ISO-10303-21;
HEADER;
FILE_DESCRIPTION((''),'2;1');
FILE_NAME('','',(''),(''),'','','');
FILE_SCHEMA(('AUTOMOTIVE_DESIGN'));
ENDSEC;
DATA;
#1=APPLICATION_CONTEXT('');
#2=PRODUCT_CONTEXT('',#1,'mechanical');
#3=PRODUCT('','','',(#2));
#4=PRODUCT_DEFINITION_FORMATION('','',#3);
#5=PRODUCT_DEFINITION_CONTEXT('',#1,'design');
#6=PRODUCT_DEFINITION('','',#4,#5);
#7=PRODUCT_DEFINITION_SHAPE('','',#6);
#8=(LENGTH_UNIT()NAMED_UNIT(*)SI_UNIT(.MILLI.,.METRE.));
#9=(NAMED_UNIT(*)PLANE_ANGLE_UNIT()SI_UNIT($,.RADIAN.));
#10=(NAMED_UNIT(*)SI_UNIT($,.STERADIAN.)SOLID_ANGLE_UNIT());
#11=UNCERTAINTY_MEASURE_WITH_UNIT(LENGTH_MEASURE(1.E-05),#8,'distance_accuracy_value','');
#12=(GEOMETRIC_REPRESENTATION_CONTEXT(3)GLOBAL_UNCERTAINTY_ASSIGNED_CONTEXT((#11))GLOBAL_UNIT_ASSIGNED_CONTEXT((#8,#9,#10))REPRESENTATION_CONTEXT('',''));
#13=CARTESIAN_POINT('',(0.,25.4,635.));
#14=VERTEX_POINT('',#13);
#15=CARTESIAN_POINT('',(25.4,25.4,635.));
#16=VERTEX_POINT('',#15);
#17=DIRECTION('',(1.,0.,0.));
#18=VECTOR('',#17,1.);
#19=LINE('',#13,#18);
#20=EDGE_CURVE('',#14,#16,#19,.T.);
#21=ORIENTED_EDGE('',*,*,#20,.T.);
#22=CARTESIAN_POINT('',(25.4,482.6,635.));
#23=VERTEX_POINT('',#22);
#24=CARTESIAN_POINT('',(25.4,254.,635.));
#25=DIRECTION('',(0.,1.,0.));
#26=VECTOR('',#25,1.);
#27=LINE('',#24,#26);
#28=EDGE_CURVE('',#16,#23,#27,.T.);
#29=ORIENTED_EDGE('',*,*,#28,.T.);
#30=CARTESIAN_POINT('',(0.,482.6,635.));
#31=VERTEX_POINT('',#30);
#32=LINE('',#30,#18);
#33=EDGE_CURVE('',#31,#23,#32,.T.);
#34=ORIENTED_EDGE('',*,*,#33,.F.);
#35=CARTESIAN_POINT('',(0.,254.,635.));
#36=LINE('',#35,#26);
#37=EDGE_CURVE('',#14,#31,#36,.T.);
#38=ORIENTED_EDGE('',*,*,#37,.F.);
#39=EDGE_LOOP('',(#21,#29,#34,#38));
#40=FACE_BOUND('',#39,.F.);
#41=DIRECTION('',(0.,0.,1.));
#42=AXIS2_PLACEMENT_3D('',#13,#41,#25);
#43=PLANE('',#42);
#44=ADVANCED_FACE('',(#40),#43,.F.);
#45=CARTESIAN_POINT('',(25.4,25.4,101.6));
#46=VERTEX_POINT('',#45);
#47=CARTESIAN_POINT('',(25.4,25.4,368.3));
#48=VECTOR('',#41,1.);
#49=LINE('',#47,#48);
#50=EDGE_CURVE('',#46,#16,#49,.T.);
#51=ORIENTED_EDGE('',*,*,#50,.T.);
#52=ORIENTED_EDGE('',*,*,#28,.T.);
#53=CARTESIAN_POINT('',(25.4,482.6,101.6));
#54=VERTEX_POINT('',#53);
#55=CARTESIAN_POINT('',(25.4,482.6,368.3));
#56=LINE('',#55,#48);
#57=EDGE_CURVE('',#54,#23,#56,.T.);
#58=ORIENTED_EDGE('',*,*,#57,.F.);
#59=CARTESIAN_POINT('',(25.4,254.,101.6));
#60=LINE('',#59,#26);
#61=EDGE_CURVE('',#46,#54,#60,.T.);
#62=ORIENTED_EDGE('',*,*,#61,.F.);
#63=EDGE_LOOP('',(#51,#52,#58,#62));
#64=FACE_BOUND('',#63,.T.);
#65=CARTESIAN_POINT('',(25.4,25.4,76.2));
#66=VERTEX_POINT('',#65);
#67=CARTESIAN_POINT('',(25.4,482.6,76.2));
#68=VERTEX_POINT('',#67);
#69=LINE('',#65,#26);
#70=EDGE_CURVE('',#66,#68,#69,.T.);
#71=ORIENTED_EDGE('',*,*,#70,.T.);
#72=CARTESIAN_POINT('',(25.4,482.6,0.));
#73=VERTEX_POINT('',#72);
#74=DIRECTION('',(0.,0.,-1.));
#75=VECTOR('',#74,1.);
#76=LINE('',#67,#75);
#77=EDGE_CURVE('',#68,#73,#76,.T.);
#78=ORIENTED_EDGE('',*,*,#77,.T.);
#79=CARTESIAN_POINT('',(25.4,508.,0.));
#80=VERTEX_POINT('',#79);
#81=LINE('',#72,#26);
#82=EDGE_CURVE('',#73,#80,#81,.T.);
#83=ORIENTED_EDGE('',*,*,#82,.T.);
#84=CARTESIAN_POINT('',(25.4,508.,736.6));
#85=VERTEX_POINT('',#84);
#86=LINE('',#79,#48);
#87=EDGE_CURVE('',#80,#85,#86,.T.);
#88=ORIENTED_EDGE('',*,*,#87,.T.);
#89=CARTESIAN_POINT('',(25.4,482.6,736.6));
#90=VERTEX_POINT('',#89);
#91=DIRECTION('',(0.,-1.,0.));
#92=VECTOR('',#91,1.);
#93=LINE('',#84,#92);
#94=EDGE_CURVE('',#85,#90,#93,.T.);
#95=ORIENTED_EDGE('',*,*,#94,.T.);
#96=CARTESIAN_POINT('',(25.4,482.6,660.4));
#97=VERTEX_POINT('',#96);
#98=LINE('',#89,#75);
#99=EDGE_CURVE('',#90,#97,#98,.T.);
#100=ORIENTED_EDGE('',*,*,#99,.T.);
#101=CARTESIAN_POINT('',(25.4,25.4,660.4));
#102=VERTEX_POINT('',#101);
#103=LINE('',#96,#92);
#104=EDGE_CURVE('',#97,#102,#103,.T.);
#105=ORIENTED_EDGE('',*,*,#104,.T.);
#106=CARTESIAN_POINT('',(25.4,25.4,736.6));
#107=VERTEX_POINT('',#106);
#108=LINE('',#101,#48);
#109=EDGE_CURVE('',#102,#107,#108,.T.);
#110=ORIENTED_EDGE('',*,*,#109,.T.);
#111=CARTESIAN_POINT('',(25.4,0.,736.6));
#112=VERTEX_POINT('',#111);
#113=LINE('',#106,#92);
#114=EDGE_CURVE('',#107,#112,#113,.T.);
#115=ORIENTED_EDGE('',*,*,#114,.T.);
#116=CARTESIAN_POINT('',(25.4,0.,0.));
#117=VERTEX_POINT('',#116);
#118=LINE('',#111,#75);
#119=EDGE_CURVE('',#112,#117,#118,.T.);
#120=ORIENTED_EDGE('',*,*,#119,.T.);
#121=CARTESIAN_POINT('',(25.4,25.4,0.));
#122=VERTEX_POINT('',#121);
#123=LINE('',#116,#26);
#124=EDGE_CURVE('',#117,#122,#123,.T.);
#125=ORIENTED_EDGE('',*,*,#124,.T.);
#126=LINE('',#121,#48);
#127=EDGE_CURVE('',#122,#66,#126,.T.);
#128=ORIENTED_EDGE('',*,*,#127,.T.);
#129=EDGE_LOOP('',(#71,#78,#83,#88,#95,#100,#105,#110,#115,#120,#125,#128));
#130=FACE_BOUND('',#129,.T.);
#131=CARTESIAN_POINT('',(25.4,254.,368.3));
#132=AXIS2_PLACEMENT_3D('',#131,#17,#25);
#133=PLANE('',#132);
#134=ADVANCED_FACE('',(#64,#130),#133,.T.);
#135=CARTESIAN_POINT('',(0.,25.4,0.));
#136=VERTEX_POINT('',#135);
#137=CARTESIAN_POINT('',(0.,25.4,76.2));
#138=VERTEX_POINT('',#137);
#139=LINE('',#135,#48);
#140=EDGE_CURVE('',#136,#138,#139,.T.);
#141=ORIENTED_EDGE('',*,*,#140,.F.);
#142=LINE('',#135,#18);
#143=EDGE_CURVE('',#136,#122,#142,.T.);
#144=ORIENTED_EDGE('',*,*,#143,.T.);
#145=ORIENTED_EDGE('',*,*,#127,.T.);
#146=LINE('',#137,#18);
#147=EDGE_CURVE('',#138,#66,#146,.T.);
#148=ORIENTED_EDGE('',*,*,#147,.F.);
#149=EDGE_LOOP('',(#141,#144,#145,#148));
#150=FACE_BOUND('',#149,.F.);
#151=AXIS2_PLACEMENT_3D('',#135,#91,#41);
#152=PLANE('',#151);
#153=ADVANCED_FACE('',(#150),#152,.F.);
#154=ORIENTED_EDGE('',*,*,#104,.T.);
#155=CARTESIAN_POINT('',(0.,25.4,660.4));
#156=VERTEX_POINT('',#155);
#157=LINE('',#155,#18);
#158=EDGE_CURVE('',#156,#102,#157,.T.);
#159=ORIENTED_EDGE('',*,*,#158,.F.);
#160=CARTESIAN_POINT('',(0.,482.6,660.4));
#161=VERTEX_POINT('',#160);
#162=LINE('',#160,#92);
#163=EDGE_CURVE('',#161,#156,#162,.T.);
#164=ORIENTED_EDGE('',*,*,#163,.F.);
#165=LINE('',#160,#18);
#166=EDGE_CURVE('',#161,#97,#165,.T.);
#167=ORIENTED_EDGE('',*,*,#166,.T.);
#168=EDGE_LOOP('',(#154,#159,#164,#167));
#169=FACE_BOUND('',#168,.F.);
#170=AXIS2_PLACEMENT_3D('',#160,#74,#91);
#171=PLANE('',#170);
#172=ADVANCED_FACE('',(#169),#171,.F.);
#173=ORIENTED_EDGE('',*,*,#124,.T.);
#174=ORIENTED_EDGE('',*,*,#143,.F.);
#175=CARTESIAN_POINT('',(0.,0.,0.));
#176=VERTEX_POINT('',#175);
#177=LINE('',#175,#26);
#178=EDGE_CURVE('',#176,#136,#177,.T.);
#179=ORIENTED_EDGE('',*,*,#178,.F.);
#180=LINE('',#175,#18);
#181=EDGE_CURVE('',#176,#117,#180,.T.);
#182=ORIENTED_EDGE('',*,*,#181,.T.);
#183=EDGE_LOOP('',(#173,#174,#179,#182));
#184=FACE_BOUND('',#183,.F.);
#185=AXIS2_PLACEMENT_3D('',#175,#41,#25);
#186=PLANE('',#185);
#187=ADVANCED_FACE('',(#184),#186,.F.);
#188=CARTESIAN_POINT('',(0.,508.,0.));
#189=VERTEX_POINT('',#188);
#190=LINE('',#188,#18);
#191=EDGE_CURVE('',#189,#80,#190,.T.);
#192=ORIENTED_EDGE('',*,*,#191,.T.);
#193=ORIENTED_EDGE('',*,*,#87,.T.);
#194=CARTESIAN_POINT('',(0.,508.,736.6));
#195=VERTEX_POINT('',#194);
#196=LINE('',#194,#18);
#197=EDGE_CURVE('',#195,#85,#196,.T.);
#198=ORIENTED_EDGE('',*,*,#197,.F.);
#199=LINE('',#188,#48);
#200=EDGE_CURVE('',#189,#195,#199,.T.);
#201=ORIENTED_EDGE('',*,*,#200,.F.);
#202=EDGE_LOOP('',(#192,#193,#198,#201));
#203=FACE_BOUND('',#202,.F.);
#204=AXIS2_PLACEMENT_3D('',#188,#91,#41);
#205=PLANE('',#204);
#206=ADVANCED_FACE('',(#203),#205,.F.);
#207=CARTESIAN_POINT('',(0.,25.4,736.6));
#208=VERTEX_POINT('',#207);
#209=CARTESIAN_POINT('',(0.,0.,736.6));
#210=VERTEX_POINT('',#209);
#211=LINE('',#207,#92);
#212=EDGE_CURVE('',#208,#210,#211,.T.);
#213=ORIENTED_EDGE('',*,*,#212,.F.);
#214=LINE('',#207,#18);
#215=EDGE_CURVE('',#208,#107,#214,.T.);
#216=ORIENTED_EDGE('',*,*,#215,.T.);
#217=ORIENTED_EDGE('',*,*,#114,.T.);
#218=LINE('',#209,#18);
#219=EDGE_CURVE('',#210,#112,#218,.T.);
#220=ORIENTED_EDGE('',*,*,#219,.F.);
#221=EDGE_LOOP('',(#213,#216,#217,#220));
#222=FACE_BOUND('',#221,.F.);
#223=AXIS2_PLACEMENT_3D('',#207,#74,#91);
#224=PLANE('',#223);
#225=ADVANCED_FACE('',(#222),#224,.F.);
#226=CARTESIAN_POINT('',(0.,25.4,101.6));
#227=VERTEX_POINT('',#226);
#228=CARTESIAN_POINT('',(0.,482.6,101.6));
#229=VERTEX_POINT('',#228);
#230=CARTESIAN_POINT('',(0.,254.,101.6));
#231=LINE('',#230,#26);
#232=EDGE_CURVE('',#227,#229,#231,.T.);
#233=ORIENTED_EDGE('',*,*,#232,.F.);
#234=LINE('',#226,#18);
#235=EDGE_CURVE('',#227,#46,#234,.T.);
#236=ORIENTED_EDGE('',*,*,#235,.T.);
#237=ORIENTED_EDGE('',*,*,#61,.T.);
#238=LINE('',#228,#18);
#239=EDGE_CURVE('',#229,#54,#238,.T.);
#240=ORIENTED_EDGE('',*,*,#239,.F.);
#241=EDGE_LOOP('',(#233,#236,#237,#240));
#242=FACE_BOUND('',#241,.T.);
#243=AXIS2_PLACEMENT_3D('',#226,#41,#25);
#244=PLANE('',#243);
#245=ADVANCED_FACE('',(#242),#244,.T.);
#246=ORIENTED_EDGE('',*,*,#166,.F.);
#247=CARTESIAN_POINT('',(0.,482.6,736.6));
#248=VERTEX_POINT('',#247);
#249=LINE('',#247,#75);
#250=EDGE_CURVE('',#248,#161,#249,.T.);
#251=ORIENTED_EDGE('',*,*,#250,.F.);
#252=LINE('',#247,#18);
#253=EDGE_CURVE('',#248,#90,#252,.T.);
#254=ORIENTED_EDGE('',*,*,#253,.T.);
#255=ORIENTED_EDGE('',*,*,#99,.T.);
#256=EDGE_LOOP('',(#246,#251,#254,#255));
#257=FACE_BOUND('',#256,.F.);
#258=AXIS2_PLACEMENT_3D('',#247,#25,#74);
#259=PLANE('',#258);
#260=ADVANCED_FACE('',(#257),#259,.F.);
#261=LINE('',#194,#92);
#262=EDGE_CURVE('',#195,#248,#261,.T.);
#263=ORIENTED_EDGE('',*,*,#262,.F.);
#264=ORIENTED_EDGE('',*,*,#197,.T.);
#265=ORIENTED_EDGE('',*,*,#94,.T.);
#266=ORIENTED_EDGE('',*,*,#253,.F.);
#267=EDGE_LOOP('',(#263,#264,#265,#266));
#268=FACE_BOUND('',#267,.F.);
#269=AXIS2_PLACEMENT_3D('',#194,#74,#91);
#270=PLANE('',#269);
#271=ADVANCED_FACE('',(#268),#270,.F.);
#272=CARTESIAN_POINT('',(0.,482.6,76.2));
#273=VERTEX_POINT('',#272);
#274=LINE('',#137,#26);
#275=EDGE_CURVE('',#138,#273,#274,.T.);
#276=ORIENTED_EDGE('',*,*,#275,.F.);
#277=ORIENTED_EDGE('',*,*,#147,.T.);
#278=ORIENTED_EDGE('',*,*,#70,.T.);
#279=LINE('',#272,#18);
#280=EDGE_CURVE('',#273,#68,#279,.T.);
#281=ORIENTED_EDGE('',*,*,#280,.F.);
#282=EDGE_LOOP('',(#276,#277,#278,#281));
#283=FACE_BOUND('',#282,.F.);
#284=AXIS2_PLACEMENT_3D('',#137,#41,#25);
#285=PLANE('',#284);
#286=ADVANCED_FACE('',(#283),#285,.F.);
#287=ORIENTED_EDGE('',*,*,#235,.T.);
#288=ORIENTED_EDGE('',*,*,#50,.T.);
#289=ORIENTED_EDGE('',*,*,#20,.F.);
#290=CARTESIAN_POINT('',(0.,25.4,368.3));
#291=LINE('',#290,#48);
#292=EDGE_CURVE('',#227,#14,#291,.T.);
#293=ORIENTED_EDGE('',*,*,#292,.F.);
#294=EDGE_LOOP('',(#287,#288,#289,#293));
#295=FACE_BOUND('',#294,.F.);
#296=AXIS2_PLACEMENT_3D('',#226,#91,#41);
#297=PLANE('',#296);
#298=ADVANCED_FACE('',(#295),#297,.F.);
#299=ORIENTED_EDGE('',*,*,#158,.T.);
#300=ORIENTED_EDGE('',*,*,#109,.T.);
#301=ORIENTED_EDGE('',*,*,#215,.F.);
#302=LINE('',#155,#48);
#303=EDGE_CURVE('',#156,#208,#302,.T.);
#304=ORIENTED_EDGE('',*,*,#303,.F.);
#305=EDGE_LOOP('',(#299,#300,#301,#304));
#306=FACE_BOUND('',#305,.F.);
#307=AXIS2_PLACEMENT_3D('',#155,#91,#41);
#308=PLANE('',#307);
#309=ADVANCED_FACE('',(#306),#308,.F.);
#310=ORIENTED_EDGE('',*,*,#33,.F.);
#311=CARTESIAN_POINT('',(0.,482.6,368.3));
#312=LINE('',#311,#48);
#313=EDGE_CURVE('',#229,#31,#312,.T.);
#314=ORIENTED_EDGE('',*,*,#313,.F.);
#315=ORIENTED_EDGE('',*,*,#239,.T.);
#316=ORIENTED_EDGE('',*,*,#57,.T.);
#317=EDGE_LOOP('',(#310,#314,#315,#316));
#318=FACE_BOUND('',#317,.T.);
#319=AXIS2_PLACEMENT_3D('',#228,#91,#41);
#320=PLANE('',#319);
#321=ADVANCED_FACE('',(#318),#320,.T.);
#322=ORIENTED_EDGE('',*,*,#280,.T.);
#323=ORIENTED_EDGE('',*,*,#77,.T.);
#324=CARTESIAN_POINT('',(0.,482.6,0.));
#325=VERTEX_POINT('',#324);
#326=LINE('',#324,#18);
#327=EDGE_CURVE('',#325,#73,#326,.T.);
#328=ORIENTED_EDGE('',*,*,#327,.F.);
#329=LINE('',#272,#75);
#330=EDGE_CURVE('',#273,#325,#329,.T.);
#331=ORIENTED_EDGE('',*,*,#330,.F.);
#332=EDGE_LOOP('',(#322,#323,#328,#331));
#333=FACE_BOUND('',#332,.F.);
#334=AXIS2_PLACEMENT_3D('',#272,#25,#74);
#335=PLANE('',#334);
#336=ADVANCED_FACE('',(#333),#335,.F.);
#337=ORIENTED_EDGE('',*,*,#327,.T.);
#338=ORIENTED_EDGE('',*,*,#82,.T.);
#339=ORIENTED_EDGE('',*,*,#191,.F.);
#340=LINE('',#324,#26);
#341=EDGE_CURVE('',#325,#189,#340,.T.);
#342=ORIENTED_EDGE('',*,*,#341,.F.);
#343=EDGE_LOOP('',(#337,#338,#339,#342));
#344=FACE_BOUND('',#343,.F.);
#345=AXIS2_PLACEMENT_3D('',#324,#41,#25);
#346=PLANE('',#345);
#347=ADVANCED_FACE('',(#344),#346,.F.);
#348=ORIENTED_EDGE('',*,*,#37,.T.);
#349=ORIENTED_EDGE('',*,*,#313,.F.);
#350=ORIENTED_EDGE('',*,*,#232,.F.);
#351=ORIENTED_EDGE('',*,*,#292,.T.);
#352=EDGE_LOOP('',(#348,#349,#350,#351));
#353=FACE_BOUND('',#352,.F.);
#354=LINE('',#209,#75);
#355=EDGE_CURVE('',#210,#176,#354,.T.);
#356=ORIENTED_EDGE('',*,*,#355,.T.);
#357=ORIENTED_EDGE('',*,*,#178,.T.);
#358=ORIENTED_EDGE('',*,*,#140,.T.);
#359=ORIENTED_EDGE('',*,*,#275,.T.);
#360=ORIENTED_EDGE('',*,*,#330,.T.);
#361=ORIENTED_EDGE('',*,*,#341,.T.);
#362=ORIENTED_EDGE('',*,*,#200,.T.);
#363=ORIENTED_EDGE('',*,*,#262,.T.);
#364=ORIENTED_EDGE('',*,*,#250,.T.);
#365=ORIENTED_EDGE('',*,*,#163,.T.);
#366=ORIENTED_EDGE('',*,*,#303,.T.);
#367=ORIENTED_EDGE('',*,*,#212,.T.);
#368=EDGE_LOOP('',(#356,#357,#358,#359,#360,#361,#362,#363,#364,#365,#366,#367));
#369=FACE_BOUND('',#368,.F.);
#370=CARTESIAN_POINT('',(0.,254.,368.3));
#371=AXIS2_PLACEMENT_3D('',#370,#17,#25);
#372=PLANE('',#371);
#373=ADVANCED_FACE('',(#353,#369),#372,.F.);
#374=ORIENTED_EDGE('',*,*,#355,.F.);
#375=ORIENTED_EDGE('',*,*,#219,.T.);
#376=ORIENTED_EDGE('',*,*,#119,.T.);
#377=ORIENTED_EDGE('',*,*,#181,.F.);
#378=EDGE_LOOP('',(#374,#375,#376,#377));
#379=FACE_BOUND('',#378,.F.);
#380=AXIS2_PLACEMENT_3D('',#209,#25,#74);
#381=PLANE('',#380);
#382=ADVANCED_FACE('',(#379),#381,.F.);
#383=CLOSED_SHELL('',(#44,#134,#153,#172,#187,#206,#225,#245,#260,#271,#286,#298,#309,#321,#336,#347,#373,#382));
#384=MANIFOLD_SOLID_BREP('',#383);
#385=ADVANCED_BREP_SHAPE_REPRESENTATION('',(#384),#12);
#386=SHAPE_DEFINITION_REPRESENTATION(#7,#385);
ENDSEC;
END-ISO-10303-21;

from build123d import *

# Parameters (mm, degrees)
F0_W     = 457.2
F0_H     = 533.4
F1_DEPTH = 25.4


with BuildPart() as f1:
    # F0 (on Right) → F1 (new body)
    with BuildSketch(Plane.YZ):
        Polygon((0, 736.6), (0, 0), (25.4, 0), (25.4, 76.2), (482.6, 76.2), (482.6, 0), (508, 0), (508, 736.6), (482.6, 736.6), (482.6, 660.4), (25.4, 660.4), (25.4, 736.6), align=None)
        with Locations((254, 368.3)):
            Rectangle(F0_W, F0_H, mode=Mode.SUBTRACT)
    extrude(amount=F1_DEPTH)


solid = f1.part
